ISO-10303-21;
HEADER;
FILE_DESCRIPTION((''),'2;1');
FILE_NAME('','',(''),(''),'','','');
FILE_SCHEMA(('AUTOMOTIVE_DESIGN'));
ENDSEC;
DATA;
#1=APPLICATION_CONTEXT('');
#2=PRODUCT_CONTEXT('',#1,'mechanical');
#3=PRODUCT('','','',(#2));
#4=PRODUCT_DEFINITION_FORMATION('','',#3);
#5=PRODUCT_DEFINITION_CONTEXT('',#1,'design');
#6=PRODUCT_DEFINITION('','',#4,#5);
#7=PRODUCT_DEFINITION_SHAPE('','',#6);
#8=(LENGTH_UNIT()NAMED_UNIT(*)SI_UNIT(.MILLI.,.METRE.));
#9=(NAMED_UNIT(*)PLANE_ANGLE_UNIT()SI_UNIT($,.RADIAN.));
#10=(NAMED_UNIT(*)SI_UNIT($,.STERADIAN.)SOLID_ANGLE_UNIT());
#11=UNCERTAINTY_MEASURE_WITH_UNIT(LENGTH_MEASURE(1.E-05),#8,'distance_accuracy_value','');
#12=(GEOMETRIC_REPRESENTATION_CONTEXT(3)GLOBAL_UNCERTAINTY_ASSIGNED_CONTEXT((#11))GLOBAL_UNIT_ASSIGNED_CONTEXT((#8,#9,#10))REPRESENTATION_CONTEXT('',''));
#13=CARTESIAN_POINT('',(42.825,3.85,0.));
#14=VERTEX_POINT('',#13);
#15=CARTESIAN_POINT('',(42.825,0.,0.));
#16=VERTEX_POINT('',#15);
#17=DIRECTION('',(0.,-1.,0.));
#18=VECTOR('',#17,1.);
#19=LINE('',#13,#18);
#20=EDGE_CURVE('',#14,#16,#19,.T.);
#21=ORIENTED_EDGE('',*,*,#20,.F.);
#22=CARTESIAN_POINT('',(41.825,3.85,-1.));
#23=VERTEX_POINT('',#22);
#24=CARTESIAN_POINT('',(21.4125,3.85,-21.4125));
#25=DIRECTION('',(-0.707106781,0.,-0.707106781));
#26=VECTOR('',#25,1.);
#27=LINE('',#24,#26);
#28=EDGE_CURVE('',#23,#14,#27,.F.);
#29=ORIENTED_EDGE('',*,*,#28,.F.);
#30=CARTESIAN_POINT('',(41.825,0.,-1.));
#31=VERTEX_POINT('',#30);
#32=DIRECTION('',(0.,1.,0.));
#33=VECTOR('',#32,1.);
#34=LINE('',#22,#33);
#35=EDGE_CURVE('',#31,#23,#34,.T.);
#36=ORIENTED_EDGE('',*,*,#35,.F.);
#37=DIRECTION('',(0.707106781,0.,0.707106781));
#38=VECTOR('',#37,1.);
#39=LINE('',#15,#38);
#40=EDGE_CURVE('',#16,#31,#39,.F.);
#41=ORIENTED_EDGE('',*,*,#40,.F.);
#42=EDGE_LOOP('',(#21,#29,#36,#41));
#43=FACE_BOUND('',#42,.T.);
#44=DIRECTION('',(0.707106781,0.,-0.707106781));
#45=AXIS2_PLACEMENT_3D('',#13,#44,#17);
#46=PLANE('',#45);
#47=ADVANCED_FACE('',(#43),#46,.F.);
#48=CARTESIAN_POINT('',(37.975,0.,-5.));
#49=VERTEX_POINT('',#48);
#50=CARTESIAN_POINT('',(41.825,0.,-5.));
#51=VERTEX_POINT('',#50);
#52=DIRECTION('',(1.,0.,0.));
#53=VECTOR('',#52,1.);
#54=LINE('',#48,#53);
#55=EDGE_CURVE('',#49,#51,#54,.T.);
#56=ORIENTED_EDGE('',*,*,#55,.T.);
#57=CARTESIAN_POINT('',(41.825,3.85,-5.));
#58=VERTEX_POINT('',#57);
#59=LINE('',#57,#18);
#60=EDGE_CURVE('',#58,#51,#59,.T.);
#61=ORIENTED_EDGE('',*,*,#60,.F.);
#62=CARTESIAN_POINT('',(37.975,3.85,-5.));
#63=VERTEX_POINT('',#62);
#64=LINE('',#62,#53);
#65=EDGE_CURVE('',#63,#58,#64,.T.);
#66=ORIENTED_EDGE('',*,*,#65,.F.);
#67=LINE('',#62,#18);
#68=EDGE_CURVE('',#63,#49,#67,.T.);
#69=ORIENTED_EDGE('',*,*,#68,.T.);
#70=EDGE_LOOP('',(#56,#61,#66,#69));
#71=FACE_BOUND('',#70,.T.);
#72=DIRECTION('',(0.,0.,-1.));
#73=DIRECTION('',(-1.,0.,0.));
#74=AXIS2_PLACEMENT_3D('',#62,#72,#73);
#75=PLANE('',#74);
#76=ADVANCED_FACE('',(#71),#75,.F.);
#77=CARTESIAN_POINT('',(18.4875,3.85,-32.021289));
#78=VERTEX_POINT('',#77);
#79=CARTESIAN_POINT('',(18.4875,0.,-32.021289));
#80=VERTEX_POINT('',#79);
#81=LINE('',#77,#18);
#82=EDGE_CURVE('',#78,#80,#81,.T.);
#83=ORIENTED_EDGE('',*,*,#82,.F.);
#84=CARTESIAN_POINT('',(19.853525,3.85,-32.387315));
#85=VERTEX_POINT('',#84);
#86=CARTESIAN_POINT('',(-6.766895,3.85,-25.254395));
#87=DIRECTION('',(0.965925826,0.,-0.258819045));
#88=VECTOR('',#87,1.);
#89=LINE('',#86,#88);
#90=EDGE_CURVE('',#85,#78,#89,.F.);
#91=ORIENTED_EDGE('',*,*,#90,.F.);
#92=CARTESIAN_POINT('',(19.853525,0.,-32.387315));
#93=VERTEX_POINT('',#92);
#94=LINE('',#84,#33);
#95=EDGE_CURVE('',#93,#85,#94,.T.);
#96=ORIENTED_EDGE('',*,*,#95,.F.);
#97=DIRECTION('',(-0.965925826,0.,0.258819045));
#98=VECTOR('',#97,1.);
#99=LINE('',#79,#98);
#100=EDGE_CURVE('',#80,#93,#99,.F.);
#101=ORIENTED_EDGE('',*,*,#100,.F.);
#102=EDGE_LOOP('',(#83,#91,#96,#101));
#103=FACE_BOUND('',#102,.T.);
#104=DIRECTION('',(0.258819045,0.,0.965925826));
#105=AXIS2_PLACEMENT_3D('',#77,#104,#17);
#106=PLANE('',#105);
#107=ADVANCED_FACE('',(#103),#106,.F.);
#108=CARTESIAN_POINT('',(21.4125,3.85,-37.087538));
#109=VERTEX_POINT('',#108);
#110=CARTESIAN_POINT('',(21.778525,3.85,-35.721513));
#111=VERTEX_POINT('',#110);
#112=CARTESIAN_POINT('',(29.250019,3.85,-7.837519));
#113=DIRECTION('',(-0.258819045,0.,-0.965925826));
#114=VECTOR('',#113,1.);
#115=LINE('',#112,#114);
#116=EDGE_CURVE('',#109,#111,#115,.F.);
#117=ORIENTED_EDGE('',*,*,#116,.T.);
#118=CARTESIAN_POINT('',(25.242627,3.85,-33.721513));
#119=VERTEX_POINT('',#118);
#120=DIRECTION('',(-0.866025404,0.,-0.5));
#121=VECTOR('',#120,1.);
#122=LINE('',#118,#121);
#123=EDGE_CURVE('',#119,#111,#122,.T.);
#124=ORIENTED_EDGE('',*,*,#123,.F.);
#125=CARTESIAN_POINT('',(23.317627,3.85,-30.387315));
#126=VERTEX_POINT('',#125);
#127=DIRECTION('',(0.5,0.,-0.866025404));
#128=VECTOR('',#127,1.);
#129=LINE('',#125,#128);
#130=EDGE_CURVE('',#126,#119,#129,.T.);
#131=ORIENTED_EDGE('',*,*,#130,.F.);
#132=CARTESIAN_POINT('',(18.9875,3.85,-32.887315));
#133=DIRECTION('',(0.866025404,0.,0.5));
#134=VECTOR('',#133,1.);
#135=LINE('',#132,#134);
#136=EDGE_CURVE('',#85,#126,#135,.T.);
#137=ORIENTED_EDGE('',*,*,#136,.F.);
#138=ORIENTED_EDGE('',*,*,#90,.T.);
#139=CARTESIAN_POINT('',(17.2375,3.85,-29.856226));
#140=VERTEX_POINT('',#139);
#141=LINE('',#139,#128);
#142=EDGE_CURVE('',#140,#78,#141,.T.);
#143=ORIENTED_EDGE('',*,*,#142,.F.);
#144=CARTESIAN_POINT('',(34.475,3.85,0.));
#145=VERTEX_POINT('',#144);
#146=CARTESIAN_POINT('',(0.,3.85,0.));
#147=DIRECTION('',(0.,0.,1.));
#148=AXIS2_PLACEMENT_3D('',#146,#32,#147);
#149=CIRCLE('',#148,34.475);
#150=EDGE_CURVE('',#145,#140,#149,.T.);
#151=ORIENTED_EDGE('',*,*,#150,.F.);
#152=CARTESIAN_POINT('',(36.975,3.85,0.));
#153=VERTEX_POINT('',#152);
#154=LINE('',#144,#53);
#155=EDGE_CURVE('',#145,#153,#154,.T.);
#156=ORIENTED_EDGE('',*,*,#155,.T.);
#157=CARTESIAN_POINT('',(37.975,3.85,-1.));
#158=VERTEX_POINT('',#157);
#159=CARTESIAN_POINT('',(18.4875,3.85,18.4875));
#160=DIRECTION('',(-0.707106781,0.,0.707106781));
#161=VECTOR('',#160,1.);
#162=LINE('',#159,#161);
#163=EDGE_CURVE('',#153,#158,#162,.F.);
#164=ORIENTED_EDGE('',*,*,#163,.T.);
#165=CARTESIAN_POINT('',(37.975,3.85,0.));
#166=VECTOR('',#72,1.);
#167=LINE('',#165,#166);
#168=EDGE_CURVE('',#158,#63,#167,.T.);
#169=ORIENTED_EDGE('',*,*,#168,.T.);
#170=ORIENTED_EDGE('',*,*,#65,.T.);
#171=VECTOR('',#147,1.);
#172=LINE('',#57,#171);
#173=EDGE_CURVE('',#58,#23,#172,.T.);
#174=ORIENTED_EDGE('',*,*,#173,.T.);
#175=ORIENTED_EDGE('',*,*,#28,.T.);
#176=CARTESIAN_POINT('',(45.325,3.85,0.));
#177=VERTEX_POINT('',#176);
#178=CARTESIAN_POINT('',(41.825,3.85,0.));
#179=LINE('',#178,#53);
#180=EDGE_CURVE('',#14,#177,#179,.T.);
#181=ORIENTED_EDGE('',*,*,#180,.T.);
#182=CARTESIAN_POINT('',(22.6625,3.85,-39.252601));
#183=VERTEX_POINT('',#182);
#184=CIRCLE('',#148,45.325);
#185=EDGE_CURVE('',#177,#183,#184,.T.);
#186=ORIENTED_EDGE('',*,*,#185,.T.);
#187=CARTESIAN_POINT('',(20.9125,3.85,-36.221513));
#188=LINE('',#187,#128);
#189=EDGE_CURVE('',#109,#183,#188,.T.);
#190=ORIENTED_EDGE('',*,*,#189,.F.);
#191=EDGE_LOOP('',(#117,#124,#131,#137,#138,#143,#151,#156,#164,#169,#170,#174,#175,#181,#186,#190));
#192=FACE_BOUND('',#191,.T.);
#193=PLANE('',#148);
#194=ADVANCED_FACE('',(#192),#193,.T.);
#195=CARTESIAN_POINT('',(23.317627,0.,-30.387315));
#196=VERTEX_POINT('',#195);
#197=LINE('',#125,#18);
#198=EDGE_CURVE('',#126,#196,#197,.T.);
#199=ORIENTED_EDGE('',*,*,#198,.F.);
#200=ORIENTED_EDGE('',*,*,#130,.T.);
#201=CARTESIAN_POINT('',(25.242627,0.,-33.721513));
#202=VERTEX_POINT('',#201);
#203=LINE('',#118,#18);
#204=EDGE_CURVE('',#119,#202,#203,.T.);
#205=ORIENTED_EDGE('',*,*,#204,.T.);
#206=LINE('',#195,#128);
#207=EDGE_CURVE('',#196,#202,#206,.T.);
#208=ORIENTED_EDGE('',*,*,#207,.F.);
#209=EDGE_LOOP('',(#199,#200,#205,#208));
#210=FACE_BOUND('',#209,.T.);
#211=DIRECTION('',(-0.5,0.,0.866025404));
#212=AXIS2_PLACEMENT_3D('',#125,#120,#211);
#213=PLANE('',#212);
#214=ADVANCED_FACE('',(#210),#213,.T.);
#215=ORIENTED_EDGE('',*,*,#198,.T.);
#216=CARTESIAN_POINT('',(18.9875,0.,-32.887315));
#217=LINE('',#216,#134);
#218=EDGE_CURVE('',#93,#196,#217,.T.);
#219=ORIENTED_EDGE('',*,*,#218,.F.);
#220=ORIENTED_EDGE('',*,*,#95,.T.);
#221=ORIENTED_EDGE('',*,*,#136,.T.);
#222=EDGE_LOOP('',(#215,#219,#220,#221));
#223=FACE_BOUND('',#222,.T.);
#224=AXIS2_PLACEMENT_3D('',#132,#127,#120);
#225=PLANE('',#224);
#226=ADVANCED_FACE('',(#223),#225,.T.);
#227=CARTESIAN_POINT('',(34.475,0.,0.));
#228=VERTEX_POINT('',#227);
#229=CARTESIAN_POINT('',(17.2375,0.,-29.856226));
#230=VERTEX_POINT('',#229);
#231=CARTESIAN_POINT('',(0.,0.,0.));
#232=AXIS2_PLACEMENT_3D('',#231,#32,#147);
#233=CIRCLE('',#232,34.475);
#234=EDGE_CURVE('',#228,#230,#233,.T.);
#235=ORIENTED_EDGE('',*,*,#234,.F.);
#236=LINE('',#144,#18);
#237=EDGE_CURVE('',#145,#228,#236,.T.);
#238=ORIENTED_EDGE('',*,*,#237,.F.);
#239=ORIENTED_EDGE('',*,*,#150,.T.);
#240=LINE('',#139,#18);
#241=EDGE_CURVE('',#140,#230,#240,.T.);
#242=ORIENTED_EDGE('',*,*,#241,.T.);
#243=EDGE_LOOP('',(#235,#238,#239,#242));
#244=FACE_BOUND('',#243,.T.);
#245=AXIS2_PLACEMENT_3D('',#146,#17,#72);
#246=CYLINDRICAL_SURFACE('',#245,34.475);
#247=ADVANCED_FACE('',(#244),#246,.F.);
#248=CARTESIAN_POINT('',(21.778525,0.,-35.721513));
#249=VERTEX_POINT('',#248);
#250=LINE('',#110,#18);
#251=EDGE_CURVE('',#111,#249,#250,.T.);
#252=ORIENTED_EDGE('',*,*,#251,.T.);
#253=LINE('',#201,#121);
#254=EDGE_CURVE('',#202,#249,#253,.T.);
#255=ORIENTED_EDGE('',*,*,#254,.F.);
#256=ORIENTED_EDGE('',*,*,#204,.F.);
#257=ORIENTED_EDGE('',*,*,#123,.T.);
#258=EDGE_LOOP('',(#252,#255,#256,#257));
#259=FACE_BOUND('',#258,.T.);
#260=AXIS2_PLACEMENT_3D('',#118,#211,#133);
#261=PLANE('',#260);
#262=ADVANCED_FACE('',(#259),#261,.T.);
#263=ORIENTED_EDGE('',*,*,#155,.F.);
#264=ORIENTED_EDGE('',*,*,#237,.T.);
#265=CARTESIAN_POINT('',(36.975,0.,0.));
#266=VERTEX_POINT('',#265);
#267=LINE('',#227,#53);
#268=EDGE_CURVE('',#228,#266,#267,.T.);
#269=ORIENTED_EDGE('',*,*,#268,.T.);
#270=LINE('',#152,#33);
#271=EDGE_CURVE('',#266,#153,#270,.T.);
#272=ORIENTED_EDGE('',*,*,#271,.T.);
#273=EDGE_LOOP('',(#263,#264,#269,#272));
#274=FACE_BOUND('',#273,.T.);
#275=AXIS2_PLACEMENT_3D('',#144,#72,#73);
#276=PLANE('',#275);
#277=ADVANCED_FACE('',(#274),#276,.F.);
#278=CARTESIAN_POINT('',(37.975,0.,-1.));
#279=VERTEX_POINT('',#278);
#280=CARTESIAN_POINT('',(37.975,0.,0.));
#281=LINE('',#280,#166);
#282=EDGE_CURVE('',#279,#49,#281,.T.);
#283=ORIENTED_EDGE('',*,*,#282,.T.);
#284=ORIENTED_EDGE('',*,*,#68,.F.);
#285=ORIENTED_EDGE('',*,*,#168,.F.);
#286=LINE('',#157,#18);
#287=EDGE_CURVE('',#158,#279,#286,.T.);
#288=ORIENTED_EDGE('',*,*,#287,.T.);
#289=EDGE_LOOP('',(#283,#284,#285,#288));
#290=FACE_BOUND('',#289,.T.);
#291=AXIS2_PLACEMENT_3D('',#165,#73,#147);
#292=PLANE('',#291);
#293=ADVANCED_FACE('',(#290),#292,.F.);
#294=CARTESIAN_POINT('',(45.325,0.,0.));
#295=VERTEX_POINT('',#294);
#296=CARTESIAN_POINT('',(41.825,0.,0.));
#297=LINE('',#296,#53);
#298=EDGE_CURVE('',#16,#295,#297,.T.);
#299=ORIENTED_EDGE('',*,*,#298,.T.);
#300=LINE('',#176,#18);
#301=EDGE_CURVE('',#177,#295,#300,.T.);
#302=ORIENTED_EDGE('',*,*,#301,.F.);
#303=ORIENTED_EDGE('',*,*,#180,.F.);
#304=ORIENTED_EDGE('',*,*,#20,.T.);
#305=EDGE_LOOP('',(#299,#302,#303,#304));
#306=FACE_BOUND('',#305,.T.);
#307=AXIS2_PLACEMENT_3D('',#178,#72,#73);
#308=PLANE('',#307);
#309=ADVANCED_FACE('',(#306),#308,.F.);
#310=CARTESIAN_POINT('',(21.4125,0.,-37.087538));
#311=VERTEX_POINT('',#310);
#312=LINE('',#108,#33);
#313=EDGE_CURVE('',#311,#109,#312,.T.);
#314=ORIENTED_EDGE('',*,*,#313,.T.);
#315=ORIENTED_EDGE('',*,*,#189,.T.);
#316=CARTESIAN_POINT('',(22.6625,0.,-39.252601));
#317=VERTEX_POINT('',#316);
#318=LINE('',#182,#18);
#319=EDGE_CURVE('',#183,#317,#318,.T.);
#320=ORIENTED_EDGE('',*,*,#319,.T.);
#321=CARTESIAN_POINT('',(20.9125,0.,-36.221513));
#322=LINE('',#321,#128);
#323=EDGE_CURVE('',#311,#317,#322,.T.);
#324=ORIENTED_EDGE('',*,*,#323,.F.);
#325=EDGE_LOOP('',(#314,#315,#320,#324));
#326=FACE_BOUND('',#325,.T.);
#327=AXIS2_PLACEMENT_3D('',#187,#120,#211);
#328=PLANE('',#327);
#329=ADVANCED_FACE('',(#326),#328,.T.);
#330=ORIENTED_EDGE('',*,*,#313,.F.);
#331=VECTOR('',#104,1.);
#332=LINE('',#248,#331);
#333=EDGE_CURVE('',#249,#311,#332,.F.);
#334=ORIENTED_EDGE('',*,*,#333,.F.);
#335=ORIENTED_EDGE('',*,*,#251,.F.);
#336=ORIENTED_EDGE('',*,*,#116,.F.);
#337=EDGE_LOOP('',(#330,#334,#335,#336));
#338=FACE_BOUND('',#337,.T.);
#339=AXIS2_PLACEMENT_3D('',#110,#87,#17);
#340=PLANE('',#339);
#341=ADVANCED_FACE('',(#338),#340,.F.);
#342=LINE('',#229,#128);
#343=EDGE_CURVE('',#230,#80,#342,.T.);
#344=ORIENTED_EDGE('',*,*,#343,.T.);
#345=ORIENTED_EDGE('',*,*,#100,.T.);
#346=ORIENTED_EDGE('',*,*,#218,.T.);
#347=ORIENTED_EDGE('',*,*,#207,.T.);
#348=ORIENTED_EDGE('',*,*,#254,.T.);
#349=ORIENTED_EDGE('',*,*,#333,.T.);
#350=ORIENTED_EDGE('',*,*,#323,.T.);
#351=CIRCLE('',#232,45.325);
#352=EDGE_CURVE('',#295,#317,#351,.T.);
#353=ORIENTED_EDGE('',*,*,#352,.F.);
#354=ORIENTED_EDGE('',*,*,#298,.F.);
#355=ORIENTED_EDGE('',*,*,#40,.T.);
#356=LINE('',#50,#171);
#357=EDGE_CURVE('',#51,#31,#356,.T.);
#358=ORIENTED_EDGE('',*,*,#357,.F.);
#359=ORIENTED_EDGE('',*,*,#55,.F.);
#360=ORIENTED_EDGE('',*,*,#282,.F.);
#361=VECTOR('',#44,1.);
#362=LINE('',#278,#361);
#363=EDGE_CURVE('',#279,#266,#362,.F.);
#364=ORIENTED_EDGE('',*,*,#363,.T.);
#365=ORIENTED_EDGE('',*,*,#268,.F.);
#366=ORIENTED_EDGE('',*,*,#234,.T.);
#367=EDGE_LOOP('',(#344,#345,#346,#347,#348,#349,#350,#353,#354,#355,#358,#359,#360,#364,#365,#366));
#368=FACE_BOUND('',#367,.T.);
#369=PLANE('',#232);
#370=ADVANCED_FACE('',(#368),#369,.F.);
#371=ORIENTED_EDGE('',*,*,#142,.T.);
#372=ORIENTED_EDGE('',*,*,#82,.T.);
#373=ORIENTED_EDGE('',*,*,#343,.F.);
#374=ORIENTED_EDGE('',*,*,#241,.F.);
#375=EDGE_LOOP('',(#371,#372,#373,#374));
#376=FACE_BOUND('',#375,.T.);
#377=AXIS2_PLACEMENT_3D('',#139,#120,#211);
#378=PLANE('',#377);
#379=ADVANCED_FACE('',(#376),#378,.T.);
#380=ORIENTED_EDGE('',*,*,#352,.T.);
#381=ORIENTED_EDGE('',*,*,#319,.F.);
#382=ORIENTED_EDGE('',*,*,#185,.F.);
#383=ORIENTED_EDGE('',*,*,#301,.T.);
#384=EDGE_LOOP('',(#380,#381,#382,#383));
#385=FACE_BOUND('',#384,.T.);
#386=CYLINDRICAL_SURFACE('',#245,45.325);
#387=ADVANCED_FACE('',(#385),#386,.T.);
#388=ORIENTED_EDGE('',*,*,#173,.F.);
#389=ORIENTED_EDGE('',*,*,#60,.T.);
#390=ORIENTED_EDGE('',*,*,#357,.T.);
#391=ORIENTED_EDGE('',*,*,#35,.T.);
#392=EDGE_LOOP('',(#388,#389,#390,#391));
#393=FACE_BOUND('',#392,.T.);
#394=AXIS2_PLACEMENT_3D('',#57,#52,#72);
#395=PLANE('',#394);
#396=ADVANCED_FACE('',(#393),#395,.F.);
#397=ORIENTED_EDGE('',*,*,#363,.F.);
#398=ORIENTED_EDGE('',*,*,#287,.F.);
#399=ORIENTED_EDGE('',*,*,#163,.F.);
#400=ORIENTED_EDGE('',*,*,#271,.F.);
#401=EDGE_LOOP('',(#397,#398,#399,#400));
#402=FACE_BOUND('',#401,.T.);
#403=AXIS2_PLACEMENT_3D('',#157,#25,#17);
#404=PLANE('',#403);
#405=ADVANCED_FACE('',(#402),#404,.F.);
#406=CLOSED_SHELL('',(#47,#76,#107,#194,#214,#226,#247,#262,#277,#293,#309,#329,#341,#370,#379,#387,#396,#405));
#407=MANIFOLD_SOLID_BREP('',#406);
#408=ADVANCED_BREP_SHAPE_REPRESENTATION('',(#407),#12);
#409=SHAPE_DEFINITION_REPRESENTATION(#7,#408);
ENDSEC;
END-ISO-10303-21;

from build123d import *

# Parameters (mm, degrees)
BOSS_EXTRUDE1_DEPTH = 3.85
CHAMFER1_SIZE       = 1


with BuildPart() as part:
    # Sketch1 → Boss-Extrude1 (new body)
    with BuildSketch(Plane(origin=(0, 0, 0), x_dir=(1, 0, 0), z_dir=(0, 1, 0))):
        with BuildLine():
            Line((37.975, 0), (37.975, 5))
            Line((37.975, 5), (41.825, 5))
            Line((41.825, 5), (41.825, 0))
            Line((41.825, 0), (45.325, 0))
            ThreePointArc((45.325, 0), (39.252601427, 22.6625), (22.6625, 39.252601427))
            Line((22.6625, 39.252601427), (20.9125, 36.221512513))
            Line((20.9125, 36.221512513), (25.242627019, 33.721512513))
            Line((25.242627019, 33.721512513), (23.317627019, 30.387314709))
            Line((23.317627019, 30.387314709), (18.9875, 32.887314709))
            Line((18.9875, 32.887314709), (17.2375, 29.856225795))
            ThreePointArc((17.2375, 29.856225795), (29.856225795, 17.2375), (34.475, 0))
            Line((34.475, 0), (37.975, 0))
        make_face()
    extrude(amount=BOSS_EXTRUDE1_DEPTH)

    # Chamfer1
    chamfer1_edges = [part.edges().sort_by_distance(p)[0] for p in [
        (18.9875, 1.925, -32.887314709),
        (20.9125, 1.925, -36.221512513),
        (41.825, 1.925, 0),
        (37.975, 1.925, 0),
    ]]
    chamfer(chamfer1_edges, length=CHAMFER1_SIZE)


solid = part.part
